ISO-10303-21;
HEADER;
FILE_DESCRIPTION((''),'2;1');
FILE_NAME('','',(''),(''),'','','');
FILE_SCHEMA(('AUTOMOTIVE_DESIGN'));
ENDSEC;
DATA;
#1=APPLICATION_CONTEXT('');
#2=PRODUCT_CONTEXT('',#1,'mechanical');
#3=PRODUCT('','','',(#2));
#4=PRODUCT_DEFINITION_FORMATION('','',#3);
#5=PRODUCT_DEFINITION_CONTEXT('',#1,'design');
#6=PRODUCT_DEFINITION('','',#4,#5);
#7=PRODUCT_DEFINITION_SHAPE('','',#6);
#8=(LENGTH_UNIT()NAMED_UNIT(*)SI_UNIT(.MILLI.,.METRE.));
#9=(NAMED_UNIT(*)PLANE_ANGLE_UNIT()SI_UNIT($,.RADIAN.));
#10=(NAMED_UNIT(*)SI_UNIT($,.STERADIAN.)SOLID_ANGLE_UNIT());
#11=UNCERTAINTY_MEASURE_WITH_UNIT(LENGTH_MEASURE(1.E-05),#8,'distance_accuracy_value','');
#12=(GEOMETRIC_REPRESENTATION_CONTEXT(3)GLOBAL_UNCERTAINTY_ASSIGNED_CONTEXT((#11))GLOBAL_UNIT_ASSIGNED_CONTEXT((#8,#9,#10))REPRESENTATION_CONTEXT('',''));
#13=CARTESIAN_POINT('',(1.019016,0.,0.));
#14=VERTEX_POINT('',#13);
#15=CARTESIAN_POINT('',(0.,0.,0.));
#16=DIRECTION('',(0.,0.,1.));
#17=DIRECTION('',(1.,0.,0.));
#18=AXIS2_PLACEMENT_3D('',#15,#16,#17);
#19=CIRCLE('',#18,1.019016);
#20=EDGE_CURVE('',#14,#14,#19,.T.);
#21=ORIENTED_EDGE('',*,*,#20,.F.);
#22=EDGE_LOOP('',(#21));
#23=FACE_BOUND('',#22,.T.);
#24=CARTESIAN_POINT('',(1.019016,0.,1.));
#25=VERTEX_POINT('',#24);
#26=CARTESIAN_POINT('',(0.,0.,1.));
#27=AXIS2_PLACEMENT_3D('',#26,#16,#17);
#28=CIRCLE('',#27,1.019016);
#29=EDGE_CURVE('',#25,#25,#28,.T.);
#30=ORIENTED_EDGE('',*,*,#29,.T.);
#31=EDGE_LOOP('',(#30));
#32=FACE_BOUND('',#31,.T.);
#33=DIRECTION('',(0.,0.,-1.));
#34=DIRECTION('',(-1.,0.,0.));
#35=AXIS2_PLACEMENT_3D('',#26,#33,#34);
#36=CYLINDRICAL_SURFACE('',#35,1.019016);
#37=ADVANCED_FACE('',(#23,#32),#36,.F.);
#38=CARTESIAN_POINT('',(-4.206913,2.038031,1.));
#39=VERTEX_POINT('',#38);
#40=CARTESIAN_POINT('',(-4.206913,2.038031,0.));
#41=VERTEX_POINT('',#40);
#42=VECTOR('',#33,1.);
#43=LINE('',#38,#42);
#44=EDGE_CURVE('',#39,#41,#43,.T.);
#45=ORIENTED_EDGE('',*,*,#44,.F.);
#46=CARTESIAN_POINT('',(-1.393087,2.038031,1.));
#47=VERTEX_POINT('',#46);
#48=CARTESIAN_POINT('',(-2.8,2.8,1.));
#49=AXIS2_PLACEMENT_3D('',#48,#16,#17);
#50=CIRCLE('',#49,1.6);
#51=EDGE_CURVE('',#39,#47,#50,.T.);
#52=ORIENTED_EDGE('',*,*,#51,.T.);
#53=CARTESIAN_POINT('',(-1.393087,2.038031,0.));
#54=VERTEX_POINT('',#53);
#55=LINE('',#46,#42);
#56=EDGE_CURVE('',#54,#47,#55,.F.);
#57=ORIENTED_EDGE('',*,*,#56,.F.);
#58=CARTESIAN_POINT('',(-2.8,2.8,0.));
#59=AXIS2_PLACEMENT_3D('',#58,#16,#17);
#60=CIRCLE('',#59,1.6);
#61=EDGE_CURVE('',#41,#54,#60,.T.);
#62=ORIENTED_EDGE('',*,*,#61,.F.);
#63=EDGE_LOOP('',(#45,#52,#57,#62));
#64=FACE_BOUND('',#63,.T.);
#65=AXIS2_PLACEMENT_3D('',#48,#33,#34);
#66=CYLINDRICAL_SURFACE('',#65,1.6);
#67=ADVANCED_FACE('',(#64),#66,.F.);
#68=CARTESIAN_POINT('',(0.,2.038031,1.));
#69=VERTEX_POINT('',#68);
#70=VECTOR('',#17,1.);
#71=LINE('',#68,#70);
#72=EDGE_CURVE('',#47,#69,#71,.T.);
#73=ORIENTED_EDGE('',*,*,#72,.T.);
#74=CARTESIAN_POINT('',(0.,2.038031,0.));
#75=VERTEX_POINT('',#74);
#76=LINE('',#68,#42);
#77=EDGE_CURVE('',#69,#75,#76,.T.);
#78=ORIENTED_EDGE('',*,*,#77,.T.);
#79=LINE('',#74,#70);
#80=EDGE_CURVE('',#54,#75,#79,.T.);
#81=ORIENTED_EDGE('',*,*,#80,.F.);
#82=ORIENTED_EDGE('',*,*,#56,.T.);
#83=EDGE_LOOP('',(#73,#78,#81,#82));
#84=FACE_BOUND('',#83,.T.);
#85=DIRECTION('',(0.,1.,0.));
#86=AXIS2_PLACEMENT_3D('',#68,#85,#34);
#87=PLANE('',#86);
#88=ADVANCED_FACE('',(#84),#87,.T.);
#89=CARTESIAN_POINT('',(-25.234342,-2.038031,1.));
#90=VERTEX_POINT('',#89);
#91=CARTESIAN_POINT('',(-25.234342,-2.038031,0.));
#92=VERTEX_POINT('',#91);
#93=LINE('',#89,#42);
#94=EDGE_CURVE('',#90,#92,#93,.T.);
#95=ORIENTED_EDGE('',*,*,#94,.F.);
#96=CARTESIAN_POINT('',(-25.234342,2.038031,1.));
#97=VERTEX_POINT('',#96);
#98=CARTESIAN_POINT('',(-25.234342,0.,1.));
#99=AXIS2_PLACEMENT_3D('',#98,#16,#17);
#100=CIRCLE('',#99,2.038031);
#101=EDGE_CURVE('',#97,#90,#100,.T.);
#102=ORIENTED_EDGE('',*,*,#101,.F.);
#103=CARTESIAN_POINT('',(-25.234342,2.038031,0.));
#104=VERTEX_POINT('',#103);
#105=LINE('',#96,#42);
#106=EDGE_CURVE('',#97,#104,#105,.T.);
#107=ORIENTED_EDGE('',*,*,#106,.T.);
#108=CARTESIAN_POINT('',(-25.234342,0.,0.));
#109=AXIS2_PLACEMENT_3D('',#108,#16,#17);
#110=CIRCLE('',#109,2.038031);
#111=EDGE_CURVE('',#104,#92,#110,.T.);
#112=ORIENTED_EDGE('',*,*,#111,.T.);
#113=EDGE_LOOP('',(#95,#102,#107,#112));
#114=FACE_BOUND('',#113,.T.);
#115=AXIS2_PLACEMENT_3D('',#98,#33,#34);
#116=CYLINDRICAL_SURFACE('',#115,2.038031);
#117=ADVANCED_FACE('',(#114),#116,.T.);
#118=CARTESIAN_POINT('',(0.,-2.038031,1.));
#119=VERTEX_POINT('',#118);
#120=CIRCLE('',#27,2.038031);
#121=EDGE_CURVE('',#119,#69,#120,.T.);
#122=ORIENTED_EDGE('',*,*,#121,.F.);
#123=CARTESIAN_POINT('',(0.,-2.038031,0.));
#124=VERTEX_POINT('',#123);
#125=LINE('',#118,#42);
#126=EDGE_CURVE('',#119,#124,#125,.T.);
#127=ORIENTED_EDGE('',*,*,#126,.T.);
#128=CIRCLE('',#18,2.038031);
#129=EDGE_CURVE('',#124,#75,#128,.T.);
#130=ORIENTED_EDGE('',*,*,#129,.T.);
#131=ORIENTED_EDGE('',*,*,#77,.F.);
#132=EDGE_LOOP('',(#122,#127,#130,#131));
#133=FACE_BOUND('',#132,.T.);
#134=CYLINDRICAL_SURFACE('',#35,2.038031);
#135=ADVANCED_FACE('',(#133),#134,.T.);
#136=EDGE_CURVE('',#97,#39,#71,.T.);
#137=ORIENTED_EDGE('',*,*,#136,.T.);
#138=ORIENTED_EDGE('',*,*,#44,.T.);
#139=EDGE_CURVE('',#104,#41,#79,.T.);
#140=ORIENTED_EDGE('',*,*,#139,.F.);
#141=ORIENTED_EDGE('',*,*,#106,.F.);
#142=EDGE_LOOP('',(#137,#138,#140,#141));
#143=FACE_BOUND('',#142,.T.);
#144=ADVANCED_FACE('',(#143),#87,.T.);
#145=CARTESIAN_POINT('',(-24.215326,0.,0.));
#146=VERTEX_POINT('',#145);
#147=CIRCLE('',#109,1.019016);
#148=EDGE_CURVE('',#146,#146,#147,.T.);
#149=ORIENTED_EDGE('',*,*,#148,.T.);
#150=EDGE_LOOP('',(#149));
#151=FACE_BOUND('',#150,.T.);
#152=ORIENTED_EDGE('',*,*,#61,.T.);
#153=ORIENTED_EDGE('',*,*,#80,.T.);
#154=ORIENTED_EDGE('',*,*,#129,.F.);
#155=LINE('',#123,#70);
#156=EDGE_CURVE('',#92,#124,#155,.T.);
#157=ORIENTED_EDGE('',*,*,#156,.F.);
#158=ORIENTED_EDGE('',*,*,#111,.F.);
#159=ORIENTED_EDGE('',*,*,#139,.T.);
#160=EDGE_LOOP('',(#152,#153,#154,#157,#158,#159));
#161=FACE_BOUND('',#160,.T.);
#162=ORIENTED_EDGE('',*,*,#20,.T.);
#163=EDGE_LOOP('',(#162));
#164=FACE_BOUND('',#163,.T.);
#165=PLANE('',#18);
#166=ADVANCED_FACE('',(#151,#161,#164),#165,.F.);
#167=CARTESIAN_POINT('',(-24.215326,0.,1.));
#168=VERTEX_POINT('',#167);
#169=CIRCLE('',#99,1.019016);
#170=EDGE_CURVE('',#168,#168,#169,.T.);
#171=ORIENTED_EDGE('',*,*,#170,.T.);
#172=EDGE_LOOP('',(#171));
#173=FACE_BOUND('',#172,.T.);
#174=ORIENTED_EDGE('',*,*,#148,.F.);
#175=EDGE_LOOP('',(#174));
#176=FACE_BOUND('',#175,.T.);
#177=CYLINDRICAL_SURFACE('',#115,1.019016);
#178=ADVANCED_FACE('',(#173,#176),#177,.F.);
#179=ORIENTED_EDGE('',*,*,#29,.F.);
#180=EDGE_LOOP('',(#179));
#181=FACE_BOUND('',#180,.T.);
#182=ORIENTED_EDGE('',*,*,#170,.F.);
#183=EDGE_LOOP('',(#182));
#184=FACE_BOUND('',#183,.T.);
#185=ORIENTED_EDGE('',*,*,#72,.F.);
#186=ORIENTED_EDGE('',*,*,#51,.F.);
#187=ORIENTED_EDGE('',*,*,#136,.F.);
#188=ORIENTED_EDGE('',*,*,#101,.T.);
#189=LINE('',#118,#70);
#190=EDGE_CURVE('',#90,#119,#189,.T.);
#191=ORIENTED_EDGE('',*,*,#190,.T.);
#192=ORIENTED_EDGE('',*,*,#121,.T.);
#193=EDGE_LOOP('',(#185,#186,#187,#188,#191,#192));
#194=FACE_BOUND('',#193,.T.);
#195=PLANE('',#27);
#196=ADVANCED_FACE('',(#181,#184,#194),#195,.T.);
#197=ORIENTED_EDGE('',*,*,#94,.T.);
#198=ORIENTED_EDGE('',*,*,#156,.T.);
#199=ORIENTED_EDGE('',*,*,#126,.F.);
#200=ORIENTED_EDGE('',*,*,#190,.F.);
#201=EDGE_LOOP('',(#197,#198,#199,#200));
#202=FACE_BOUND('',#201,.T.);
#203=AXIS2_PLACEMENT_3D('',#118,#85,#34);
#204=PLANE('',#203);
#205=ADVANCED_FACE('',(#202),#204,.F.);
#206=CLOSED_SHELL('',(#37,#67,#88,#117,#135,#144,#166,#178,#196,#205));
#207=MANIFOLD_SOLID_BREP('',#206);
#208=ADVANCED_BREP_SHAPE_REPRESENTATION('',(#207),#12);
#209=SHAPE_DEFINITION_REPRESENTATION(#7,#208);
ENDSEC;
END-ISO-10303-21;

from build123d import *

# Parameters (mm, degrees)
SKETCH1_R          = 1.01901554
EXTRUDE1_DEPTH     = 1
SKETCH2_R          = 1.6
CUT_EXTRUDE2_DEPTH = 28.366693334


with BuildPart() as part:
    # Sketch1 → Extrude1 (new body)
    with BuildSketch(Plane.XY):
        with BuildLine():
            Line((0, 2.038031079), (-25.234342, 2.038031079))
            ThreePointArc((-25.234342, 2.038031079), (-27.272373079, 0), (-25.234342, -2.038031079))
            Line((-25.234342, -2.038031079), (0, -2.038031079))
            ThreePointArc((0, -2.038031079), (2.038031079, 0), (0, 2.038031079))
        make_face()
        with Locations((-25.234342, 0)):
            Circle(SKETCH1_R, mode=Mode.SUBTRACT)
        Circle(SKETCH1_R, mode=Mode.SUBTRACT)
    extrude(amount=EXTRUDE1_DEPTH)

    # Sketch2 → Cut-Extrude2 (cut, through all)
    with BuildSketch(Plane.XY):
        with Locations((-2.8, 2.8)):
            Circle(SKETCH2_R)
    extrude(amount=CUT_EXTRUDE2_DEPTH, mode=Mode.SUBTRACT)


solid = part.part
